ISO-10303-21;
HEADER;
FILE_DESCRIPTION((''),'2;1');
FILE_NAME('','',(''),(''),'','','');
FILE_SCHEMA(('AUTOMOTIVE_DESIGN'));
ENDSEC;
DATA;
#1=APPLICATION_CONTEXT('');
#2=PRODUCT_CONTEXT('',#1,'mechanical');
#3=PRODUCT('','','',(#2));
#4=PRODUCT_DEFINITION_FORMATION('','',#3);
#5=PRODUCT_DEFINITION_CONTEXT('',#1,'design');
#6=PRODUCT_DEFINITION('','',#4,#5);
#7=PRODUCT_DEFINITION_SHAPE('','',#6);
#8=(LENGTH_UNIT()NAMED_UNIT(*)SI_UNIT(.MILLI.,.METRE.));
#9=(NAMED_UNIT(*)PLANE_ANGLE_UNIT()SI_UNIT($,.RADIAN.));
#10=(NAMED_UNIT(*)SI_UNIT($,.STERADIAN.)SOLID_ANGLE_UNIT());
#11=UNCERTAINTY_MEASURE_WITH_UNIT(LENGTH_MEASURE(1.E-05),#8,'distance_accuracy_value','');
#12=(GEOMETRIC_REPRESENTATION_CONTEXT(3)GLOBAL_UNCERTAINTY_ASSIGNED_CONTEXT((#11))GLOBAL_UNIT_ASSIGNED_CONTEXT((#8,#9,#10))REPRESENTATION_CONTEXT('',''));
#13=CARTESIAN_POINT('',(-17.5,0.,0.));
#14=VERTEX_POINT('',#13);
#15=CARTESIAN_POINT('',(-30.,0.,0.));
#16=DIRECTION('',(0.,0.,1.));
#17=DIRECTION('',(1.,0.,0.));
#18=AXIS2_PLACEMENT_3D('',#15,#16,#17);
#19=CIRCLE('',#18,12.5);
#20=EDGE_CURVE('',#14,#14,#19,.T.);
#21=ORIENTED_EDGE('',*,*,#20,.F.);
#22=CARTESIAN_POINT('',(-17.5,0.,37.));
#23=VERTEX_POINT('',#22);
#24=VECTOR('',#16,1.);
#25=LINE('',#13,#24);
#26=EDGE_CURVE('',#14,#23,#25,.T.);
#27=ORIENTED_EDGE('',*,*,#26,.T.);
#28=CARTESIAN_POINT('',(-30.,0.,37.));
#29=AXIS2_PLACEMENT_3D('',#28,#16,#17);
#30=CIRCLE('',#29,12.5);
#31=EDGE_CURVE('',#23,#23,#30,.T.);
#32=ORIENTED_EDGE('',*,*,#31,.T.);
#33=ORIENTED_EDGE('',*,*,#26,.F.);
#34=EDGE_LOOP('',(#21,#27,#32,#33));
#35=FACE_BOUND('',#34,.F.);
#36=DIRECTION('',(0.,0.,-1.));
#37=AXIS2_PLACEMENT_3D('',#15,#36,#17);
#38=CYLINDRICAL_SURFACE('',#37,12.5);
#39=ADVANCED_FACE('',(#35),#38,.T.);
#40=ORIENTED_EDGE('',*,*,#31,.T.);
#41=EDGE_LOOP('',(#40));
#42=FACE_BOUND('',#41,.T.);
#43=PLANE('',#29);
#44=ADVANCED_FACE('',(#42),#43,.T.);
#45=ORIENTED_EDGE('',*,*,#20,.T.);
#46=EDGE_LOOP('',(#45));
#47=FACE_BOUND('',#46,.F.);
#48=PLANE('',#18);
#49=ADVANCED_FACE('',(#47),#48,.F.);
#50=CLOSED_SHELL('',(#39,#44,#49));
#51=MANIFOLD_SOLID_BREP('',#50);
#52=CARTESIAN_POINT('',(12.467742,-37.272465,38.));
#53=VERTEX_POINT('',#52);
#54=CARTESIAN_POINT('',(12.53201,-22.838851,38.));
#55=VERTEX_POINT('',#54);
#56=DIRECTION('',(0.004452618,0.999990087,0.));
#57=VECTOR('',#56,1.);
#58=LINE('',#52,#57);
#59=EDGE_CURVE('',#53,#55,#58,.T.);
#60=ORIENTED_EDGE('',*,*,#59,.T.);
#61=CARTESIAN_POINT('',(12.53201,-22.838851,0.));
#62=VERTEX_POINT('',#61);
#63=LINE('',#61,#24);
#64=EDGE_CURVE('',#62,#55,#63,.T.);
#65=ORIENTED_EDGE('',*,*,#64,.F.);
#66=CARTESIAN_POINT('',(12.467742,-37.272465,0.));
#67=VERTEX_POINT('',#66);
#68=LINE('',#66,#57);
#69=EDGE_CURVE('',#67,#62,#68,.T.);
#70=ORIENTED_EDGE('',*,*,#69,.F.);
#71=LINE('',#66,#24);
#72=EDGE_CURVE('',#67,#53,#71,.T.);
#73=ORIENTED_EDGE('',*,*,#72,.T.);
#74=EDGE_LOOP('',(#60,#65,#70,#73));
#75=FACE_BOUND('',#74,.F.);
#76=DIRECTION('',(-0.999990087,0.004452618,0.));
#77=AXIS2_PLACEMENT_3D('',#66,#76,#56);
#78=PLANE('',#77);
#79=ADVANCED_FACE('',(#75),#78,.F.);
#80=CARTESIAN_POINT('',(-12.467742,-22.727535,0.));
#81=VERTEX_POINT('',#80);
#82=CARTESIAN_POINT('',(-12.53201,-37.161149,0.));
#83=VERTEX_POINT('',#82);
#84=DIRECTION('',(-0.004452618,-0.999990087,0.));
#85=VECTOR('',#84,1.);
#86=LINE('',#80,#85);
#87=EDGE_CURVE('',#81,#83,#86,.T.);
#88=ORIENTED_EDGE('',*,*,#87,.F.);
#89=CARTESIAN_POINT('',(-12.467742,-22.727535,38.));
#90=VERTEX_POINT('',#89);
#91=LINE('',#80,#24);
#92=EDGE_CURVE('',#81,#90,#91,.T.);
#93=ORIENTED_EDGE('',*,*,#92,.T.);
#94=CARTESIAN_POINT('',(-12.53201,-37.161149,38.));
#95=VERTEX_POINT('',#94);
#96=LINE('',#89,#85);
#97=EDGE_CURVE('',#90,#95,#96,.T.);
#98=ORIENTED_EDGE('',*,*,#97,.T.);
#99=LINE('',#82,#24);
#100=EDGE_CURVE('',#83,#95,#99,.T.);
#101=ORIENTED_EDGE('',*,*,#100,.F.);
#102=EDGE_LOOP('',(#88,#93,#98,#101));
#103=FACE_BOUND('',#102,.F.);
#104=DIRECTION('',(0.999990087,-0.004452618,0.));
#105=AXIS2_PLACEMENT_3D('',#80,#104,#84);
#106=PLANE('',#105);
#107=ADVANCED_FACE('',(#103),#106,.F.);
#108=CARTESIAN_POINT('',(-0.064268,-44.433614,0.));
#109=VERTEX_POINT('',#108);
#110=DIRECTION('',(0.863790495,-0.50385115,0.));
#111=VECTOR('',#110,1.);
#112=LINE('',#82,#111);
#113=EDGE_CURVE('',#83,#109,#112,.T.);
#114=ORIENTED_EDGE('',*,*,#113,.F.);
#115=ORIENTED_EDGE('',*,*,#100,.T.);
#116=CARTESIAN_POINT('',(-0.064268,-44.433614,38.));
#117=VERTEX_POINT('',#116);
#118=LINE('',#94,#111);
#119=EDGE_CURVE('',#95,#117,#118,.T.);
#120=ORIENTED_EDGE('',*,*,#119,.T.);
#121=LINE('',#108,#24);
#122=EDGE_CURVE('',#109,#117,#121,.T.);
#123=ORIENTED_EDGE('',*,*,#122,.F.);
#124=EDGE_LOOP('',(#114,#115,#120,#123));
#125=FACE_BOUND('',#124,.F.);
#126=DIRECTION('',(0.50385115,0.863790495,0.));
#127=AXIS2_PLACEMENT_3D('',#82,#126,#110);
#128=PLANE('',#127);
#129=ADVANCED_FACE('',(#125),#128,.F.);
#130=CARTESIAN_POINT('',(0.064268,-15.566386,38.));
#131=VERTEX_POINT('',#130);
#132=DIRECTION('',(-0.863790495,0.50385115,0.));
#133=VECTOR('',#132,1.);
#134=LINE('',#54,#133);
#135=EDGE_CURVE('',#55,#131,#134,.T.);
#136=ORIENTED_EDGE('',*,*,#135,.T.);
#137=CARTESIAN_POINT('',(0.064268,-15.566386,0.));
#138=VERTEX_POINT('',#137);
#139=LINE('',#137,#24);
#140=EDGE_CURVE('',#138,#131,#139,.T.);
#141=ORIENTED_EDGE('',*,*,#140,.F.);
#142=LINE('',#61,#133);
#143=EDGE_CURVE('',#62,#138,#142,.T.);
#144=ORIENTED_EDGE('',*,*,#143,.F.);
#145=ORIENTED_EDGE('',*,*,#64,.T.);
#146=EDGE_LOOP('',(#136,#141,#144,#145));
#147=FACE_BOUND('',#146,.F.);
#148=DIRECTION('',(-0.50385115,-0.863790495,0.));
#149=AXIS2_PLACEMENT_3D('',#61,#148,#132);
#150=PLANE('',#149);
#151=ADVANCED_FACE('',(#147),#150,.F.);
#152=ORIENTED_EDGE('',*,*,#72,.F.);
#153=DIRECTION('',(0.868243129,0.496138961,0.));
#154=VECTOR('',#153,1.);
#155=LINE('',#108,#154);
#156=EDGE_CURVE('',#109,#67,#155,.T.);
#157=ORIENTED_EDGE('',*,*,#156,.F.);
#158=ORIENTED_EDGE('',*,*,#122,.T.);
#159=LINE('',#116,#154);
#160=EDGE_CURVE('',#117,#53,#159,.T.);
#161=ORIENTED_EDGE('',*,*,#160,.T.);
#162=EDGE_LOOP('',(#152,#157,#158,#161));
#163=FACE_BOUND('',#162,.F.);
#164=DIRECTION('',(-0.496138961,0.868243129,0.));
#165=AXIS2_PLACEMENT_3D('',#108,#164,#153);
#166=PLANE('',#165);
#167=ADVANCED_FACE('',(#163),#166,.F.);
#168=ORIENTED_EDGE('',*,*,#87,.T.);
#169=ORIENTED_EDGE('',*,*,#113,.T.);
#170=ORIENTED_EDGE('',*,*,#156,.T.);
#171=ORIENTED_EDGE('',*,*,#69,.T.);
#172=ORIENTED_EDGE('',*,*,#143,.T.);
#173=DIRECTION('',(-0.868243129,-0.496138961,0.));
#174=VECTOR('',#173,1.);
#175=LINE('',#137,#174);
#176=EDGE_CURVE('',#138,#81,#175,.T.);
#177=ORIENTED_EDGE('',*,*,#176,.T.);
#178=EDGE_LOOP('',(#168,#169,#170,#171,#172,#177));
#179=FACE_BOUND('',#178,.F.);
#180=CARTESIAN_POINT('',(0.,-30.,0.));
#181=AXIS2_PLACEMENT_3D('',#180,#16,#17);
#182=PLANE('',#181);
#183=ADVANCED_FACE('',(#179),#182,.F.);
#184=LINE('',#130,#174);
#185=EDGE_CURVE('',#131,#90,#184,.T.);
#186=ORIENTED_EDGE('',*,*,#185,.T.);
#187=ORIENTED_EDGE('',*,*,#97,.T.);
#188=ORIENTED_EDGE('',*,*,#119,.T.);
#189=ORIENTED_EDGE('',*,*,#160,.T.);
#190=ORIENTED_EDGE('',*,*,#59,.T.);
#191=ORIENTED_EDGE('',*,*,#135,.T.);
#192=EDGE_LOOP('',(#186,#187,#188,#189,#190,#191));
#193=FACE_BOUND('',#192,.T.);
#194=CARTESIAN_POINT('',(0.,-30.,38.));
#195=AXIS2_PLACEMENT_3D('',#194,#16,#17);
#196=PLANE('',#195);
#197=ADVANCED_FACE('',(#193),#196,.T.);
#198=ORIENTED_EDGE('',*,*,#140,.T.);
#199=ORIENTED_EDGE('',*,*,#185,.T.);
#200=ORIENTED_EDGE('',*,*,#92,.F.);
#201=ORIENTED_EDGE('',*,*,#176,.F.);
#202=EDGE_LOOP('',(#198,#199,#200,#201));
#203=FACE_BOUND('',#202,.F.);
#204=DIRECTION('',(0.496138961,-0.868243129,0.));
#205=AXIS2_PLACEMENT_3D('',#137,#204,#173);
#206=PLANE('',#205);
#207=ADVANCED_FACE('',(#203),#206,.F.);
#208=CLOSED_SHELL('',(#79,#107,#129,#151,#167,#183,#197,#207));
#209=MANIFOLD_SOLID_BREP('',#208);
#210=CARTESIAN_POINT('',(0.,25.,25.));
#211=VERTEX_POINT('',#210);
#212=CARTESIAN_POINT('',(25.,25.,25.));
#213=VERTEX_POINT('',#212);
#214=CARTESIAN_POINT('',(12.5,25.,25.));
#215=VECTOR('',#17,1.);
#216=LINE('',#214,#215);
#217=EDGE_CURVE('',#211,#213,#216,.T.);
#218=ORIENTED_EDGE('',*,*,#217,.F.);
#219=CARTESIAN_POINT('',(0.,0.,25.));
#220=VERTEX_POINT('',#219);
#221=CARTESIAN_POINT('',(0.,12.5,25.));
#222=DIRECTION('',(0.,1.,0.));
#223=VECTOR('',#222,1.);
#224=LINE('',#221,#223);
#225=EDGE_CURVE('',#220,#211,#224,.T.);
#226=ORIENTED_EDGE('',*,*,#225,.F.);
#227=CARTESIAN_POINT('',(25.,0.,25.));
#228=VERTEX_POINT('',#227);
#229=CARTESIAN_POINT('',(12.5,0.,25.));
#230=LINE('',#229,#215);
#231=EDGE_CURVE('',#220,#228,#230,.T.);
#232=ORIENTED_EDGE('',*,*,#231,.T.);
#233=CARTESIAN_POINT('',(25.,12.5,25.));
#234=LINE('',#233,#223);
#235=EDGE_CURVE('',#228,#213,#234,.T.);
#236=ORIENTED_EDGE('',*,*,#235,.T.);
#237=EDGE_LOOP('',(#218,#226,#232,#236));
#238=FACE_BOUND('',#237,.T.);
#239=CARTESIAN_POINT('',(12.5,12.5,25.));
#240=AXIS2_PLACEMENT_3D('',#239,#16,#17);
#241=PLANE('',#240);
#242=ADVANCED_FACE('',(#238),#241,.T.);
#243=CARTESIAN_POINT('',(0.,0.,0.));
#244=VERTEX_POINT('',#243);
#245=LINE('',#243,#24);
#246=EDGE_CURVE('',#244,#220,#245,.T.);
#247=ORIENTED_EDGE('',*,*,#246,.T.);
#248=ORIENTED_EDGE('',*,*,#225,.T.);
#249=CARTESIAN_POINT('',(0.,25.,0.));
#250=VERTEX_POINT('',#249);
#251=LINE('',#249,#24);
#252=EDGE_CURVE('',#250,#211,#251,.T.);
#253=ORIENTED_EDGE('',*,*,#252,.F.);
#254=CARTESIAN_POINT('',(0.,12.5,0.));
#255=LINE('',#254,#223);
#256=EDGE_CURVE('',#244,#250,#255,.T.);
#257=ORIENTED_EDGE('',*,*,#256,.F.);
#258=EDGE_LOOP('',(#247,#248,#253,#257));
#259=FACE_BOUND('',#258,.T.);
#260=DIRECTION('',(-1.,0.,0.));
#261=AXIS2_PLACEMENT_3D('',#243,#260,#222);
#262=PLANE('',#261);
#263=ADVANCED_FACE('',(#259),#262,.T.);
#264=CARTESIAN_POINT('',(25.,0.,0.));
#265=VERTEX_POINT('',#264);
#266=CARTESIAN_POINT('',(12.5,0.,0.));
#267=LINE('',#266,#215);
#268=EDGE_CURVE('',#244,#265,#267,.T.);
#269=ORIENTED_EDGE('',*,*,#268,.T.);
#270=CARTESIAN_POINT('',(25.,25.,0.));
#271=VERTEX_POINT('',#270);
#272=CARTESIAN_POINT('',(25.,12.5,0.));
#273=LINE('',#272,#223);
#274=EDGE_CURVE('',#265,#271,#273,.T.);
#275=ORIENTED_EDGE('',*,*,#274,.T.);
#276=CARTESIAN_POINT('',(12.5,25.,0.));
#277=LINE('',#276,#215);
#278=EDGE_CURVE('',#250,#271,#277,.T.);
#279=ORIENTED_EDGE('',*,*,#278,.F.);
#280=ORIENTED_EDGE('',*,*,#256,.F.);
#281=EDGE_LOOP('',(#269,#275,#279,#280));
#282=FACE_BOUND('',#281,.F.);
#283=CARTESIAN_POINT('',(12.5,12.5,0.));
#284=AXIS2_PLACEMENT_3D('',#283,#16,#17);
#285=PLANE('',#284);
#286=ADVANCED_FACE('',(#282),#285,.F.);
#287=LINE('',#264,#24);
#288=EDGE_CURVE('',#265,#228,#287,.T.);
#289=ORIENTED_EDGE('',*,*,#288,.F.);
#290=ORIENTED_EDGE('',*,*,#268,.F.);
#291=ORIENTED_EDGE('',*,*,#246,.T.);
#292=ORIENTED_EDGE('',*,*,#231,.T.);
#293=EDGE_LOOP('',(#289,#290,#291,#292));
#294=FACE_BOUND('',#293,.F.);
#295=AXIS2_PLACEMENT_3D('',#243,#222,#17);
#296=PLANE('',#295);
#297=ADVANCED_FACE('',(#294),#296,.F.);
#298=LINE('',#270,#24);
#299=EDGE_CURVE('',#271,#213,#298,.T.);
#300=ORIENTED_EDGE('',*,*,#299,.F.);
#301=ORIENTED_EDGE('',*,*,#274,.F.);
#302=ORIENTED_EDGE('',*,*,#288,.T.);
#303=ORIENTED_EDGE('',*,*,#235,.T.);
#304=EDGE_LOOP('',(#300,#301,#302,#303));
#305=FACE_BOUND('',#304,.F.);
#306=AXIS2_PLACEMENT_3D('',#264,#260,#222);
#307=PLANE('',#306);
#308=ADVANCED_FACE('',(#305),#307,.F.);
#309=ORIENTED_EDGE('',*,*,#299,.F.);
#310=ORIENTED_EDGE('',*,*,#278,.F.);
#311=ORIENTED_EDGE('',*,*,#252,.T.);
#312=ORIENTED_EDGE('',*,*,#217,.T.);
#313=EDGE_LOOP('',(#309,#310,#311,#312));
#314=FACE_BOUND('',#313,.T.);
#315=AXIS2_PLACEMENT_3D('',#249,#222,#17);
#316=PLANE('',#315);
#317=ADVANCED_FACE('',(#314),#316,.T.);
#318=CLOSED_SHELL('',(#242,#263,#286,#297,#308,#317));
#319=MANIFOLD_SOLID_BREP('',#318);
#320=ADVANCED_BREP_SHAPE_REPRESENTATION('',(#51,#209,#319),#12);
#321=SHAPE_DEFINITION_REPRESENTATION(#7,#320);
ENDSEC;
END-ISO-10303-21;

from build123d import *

# Parameters (mm, degrees)
F0_W     = 25
F0_H     = 25
F1_DEPTH = 25
F2_R     = 12.5
F3_DEPTH = 37
F5_DEPTH = 38


with BuildPart() as f1:
    # F0 (on Top) → F1 (new body)
    with BuildSketch(Plane.XY):
        with Locations((12.5, 12.5)):
            Rectangle(F0_W, F0_H)
    extrude(amount=F1_DEPTH)


with BuildPart() as f3:
    # F2 (on Top) → F3 (new body)
    with BuildSketch(Plane.XY):
        with Locations((-30, 0)):
            Circle(F2_R)
    extrude(amount=F3_DEPTH)


with BuildPart() as f5:
    # F4 (on Top) → F5 (new body)
    with BuildSketch(Plane.XY):
        Polygon((0.064268, -15.566386), (-12.467742, -22.727535), (-12.53201, -37.161149), (-0.064268, -44.433614), (12.467742, -37.272465), (12.53201, -22.838851), align=None)
    extrude(amount=F5_DEPTH)


solid = Compound([f1.part, f3.part, f5.part])
